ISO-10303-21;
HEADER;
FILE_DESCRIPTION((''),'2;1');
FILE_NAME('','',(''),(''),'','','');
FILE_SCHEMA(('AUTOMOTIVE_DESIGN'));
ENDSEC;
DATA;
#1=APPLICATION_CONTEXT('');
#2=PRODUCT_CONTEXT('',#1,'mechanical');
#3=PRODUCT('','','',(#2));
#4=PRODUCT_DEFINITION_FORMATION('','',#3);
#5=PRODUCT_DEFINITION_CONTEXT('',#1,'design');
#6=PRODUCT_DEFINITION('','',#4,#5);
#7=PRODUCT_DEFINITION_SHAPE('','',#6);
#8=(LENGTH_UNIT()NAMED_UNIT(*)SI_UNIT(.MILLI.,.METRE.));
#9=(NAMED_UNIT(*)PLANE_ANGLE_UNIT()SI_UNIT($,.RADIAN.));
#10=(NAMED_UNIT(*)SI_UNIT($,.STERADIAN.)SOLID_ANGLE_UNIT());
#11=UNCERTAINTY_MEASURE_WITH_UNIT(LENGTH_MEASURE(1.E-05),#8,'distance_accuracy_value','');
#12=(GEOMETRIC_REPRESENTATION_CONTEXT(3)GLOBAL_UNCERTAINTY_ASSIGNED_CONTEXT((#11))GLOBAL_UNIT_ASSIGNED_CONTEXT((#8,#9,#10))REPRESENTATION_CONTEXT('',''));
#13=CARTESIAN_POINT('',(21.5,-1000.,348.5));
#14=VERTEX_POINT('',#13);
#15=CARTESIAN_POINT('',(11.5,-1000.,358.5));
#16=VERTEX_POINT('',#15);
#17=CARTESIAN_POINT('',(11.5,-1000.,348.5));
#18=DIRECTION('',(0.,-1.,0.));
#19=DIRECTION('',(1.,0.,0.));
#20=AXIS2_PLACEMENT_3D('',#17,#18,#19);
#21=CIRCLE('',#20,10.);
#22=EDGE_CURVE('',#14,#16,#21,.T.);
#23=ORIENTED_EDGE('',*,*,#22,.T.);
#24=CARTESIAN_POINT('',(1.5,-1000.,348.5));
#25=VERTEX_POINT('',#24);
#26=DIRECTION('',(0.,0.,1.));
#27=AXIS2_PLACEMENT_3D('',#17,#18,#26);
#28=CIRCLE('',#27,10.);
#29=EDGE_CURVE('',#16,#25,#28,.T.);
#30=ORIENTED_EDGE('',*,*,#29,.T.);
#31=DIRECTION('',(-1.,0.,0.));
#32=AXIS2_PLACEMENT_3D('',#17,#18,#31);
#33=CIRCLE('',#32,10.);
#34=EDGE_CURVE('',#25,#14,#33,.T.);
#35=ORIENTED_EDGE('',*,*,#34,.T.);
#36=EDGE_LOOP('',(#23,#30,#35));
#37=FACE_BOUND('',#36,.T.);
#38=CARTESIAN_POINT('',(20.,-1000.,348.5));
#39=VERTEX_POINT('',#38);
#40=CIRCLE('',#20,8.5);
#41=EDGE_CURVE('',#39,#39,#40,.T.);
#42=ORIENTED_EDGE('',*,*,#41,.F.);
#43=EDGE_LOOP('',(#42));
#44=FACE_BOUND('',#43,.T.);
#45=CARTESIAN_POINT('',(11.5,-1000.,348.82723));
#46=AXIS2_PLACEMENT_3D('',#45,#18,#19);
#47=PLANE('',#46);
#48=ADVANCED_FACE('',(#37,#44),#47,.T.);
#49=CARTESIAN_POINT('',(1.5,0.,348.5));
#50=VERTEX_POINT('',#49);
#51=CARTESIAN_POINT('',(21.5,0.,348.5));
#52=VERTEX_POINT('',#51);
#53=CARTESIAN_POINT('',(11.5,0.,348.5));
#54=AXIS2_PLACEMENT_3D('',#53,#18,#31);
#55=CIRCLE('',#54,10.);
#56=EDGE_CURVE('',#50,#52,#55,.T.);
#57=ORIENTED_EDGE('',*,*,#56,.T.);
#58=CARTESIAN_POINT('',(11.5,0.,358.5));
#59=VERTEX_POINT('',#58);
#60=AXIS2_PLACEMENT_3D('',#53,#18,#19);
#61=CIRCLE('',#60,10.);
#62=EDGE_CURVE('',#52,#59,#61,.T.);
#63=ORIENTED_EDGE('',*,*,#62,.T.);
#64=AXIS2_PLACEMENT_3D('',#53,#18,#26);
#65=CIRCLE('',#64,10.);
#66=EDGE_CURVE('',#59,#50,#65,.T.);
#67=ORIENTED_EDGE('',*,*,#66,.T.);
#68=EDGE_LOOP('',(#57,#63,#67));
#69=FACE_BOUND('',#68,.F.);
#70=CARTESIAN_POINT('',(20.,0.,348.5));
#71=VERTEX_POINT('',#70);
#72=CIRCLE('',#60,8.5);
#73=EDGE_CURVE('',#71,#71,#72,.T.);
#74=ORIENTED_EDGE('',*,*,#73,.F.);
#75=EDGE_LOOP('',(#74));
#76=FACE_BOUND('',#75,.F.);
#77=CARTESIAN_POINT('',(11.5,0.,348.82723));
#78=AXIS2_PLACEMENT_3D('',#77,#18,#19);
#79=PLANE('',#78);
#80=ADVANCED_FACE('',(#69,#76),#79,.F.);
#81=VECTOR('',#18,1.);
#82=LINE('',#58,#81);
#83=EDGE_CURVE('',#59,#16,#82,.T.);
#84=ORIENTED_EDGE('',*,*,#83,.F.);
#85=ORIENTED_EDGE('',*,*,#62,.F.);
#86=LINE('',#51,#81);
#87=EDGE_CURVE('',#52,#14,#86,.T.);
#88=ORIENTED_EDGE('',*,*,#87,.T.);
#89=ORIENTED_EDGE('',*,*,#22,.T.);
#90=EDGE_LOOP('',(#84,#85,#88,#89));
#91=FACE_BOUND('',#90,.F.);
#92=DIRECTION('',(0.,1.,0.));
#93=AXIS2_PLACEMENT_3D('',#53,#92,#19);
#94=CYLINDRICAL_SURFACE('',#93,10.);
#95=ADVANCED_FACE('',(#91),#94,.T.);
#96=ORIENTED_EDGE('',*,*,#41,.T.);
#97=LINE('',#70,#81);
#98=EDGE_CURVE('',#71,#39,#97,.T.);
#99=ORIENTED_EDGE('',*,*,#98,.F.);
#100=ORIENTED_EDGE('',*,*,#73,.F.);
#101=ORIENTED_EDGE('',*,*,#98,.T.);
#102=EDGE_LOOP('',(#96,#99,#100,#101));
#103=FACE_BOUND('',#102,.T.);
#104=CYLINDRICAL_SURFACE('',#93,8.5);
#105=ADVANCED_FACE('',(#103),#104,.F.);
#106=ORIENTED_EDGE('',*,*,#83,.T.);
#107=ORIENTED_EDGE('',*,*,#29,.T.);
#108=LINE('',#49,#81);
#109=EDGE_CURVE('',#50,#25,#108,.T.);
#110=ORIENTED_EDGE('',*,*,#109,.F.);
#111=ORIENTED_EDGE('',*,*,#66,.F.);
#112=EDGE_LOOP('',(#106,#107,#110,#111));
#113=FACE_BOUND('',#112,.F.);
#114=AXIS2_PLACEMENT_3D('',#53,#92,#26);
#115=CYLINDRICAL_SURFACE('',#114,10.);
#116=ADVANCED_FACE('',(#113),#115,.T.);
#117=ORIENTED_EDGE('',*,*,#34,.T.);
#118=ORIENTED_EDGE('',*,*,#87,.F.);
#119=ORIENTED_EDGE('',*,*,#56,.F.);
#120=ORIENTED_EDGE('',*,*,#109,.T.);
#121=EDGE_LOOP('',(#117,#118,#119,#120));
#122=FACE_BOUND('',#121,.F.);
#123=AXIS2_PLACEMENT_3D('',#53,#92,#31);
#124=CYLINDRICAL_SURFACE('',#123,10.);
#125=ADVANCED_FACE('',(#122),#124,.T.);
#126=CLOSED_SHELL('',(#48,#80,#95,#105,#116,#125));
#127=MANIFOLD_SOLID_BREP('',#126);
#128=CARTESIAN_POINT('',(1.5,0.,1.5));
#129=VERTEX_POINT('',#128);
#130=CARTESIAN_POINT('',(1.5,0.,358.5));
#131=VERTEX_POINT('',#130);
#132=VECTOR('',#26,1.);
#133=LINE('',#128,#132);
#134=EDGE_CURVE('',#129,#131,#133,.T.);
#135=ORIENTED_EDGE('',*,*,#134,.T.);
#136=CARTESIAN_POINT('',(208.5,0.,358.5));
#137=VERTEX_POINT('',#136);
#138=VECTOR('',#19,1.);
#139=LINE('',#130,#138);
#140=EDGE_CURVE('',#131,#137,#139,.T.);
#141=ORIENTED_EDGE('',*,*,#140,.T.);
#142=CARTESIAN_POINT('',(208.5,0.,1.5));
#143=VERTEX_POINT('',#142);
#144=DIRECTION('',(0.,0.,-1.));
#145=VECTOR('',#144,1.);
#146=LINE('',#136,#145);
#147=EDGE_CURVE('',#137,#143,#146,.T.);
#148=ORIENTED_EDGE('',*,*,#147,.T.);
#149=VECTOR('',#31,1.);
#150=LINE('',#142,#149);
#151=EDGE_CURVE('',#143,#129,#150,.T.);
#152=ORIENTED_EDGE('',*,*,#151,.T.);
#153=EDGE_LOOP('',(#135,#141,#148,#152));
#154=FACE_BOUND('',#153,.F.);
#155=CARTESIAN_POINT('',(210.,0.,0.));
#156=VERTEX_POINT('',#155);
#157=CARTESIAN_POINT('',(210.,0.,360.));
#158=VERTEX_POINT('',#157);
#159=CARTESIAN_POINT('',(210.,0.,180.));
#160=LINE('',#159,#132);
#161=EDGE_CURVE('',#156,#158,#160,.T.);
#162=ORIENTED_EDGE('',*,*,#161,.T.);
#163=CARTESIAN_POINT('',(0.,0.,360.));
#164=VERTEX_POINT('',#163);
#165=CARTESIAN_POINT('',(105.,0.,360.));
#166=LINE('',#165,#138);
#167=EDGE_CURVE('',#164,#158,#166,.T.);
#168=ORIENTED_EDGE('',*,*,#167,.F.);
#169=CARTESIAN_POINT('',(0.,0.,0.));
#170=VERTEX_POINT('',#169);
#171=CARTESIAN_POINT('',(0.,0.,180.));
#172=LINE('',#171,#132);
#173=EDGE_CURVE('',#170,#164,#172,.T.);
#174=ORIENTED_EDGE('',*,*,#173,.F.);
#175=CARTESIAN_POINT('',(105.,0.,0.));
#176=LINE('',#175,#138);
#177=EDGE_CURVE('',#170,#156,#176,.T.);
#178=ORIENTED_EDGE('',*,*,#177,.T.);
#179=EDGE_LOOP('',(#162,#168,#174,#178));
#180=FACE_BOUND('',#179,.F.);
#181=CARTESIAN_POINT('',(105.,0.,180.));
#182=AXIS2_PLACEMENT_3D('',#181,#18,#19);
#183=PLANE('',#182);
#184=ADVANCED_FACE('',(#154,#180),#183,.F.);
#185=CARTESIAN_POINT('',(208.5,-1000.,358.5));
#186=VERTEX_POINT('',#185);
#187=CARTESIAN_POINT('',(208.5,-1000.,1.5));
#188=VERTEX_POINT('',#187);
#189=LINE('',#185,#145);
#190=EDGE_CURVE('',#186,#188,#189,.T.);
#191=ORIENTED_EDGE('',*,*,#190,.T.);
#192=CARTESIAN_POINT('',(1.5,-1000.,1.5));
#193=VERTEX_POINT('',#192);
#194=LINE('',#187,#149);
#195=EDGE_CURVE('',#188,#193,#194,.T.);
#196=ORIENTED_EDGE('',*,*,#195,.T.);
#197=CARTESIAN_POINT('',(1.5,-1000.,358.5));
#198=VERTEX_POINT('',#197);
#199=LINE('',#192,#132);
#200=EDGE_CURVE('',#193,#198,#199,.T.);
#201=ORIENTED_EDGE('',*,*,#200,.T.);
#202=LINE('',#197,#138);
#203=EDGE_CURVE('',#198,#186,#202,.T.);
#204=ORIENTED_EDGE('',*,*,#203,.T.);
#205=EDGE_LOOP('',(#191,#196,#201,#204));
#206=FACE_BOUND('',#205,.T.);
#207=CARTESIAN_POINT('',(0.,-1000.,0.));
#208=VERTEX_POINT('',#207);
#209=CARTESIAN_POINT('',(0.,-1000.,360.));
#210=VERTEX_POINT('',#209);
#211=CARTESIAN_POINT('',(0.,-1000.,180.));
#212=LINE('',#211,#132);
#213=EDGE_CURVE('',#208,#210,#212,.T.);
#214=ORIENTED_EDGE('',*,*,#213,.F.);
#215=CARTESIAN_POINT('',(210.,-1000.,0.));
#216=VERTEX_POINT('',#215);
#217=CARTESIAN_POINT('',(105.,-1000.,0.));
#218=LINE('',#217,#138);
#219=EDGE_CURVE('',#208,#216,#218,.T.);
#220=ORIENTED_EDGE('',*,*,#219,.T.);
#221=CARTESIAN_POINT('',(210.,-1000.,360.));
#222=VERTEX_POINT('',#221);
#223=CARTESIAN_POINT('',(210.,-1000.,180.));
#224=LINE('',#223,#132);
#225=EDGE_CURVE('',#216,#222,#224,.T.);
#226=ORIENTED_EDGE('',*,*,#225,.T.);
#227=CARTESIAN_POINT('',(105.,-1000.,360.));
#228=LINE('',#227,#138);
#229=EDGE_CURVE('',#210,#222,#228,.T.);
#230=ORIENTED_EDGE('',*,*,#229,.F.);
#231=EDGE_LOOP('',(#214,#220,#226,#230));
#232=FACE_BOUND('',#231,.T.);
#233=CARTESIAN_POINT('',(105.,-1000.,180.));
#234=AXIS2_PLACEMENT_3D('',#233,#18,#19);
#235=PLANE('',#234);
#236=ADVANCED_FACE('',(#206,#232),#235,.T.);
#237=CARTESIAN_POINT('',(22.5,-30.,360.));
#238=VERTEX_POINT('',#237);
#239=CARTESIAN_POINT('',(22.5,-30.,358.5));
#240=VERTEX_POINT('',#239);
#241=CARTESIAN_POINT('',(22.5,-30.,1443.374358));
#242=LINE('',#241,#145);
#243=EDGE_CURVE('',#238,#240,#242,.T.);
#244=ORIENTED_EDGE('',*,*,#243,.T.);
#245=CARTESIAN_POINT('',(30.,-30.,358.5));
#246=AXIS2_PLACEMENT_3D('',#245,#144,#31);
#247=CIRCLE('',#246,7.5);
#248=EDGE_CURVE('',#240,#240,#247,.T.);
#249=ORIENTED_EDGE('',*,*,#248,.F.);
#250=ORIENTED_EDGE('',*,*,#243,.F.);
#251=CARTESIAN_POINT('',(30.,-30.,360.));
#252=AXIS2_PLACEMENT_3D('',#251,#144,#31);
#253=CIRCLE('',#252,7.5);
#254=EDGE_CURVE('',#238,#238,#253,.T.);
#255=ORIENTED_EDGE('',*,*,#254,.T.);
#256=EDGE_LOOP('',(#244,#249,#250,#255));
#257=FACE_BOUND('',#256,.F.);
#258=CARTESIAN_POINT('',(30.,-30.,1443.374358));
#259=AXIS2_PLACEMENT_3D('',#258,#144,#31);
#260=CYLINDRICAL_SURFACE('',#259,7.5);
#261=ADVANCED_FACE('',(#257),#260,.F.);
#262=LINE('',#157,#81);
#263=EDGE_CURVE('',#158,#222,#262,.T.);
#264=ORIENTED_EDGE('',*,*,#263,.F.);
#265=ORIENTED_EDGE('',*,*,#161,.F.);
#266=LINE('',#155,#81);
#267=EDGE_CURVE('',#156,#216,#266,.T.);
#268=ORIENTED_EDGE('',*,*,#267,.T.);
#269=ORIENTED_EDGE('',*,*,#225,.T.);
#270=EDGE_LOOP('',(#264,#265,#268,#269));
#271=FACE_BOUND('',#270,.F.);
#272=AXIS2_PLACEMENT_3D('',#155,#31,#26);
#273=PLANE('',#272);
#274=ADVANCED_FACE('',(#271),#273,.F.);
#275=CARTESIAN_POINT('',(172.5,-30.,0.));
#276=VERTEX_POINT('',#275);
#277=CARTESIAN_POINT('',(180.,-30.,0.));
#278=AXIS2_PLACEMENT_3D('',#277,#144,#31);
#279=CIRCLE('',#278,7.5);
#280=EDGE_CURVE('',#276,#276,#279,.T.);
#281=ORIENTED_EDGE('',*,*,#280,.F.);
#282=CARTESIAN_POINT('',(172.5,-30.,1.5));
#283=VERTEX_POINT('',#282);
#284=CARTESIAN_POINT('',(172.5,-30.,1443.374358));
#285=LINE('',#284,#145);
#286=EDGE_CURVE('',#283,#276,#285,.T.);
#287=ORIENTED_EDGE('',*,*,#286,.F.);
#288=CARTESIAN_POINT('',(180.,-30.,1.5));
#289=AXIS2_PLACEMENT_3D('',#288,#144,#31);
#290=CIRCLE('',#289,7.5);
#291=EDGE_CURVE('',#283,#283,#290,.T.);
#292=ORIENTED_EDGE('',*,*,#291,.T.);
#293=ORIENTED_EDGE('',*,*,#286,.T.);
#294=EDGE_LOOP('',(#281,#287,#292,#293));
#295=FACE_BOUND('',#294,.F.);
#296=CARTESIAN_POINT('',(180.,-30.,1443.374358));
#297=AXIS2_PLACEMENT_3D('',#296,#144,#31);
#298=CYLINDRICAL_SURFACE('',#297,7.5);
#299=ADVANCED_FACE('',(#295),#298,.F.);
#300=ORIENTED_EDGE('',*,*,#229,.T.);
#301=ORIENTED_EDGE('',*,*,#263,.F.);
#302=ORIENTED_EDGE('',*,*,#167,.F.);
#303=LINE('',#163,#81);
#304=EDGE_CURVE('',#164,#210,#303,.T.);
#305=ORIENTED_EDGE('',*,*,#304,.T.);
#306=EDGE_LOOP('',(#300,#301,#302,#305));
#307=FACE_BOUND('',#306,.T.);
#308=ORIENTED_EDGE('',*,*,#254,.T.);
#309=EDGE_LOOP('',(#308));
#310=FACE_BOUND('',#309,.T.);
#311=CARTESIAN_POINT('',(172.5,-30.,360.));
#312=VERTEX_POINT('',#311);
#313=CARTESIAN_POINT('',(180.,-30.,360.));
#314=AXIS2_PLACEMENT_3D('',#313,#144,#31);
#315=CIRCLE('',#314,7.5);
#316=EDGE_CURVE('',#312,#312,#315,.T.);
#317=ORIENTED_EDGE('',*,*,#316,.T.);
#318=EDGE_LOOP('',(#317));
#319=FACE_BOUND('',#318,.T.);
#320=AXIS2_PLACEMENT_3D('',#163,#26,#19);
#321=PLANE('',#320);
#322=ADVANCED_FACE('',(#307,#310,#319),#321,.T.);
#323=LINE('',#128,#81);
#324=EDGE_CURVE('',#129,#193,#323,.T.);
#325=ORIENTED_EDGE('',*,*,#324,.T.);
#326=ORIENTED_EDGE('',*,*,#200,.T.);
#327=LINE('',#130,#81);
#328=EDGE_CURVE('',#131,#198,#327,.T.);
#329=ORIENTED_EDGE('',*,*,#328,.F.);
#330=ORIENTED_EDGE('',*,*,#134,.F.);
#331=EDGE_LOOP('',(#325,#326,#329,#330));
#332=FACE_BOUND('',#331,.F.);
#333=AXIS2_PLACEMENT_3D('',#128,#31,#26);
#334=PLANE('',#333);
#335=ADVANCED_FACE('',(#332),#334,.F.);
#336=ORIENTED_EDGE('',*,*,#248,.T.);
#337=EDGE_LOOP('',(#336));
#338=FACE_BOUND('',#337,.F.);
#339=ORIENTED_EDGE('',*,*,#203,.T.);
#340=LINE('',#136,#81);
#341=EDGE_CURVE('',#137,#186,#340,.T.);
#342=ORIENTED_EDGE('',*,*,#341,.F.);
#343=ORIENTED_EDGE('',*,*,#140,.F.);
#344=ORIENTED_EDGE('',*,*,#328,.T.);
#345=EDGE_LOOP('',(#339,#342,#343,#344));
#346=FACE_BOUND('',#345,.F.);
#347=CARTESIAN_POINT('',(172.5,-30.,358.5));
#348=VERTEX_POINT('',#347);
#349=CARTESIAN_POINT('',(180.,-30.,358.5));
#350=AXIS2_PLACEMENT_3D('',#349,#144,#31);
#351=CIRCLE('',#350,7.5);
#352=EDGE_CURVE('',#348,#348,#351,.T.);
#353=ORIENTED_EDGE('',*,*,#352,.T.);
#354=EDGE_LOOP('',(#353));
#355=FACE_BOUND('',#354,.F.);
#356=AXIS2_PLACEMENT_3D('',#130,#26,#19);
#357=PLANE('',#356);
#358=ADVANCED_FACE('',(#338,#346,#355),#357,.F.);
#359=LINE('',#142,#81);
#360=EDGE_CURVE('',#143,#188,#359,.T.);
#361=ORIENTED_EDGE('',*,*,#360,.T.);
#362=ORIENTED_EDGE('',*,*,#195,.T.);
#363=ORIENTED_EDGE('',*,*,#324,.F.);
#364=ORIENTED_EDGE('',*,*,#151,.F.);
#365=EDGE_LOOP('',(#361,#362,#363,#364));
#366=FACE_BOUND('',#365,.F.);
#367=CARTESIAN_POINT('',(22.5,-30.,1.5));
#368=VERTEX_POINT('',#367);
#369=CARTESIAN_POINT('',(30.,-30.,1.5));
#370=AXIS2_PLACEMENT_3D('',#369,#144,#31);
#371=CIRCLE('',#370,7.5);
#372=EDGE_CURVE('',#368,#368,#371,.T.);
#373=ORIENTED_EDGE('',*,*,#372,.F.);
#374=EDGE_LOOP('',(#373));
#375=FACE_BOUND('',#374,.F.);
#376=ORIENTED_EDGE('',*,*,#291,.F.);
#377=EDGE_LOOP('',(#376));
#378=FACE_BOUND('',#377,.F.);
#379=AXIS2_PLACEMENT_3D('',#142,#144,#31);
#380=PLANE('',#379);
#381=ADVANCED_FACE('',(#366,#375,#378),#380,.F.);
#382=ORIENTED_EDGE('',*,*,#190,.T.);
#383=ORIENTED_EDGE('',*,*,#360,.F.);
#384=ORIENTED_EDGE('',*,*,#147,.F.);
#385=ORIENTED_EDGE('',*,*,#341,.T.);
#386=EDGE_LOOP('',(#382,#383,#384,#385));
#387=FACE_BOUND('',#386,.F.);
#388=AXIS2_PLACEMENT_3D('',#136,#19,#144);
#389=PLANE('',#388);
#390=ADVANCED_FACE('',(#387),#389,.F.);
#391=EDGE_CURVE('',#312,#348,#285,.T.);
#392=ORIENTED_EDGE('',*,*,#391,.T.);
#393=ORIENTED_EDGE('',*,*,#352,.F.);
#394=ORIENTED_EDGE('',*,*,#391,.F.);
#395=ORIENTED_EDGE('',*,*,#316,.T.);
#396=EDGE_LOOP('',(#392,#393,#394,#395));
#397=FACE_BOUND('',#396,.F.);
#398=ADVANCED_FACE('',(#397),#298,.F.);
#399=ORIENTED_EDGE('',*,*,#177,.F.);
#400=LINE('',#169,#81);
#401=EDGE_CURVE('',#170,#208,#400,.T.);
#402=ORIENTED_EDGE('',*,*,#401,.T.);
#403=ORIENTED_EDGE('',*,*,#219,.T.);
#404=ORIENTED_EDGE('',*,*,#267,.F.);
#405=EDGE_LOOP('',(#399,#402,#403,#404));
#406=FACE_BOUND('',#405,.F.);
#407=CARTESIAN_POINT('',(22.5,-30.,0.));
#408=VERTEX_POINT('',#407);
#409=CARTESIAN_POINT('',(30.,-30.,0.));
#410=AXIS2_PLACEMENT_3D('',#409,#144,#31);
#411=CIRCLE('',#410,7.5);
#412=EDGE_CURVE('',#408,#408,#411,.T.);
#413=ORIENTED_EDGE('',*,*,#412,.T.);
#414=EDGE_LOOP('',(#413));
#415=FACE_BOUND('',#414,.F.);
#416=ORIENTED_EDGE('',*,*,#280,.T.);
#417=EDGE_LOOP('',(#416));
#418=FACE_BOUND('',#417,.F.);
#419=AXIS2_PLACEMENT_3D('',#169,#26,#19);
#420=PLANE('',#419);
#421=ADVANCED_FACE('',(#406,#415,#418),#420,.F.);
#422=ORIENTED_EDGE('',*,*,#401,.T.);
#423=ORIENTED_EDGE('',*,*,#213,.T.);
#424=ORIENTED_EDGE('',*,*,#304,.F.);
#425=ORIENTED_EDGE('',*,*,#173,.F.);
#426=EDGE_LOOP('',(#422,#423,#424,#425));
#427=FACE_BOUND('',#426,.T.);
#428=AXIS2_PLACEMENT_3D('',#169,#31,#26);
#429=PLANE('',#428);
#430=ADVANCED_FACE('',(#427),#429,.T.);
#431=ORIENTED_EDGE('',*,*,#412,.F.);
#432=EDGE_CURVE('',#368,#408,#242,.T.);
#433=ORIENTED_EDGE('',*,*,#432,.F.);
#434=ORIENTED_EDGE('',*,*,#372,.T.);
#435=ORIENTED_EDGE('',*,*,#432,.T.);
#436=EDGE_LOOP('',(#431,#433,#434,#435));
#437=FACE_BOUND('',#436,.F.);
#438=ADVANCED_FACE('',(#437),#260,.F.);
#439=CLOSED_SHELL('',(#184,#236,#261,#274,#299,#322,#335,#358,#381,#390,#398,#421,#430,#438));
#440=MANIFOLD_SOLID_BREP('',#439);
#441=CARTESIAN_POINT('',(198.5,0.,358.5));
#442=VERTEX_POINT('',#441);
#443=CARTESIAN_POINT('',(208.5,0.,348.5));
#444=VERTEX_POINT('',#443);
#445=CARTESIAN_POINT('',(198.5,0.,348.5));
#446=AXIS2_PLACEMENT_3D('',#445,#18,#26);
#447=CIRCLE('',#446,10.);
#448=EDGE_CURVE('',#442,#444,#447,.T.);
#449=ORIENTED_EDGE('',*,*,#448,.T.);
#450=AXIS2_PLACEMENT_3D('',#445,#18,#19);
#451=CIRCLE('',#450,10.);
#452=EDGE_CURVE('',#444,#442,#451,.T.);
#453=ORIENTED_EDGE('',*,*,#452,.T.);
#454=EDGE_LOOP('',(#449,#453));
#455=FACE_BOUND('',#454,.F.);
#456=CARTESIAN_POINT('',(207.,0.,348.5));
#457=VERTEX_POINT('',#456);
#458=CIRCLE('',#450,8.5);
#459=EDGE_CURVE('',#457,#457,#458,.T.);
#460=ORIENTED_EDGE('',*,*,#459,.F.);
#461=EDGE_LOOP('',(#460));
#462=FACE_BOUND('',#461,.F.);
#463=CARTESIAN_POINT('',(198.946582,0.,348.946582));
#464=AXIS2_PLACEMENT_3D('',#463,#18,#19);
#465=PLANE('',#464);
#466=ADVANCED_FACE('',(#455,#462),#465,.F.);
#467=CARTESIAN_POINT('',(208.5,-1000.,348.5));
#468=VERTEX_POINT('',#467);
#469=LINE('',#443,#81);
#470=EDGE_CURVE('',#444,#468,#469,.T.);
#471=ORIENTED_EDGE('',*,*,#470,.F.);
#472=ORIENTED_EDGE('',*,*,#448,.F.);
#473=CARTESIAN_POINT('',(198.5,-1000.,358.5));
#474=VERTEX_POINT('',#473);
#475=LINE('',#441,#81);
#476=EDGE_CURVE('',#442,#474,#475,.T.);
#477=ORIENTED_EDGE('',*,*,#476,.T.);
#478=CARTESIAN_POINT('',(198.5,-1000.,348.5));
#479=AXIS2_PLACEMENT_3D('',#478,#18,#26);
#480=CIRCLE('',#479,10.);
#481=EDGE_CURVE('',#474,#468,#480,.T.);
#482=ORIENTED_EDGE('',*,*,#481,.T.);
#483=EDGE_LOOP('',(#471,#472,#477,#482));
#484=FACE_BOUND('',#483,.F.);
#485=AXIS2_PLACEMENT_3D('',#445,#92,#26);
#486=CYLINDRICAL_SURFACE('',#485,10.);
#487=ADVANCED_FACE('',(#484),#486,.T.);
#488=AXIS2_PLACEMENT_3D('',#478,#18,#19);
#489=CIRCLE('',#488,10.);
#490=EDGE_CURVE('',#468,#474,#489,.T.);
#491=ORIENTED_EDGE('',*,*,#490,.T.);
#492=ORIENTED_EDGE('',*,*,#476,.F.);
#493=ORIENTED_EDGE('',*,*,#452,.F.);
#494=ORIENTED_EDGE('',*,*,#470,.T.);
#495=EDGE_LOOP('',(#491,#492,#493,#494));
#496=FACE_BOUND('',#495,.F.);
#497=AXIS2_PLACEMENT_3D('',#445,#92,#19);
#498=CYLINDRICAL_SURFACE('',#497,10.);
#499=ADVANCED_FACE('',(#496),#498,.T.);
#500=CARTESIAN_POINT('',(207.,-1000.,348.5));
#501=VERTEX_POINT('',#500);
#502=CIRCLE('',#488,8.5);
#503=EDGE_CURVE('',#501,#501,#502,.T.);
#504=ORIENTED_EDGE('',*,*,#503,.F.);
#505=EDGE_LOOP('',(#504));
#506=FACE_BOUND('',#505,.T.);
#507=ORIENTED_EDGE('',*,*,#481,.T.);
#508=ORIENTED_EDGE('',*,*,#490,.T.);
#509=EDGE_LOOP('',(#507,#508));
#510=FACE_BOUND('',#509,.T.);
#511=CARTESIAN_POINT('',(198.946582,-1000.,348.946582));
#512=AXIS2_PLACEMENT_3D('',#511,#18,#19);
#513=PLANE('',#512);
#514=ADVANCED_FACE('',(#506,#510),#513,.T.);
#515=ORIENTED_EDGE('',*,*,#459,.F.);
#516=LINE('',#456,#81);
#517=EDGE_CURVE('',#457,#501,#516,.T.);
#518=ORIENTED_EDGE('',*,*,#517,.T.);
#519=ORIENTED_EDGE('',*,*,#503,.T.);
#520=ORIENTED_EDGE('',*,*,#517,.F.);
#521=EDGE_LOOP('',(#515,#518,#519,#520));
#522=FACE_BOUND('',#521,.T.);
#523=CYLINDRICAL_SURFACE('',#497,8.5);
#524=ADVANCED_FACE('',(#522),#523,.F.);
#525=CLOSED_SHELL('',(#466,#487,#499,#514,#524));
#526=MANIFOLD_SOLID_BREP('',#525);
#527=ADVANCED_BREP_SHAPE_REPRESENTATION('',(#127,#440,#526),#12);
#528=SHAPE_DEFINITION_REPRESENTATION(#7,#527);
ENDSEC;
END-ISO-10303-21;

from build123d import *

# Parameters (mm, degrees)
F0_W     = 210
F0_H     = 360
F1_DEPTH = 1000
F0_R     = 8.5
F3_D     = 15


with BuildPart() as f1:
    # F0 (on Front) → F1 (new body)
    with BuildSketch(Plane.XZ):
        with Locations((105, 180)):
            Rectangle(F0_W, F0_H)
        Polygon((1.5, 348.5), (1.5, 358.5), (11.5, 358.5), (198.5, 358.5), (208.5, 358.5), (208.5, 348.5), (208.5, 1.5), (1.5, 1.5), align=None, mode=Mode.SUBTRACT)
    extrude(amount=F1_DEPTH)

    # F3 (through all)
    with Locations(Plane.XY.offset(360)):
        with Locations((180, -30), (30, -30)):
            Hole(F3_D / 2)


with BuildPart() as f1b:
    # F0 (on Front) → F1, piece 2 (new body)
    with BuildSketch(Plane.XZ):
        with BuildLine():
            ThreePointArc((208.5, 348.5), (205.5710678119, 355.5710678119), (198.5, 358.5))
            ThreePointArc((198.5, 358.5), (191.4289321881, 341.4289321881), (208.5, 348.5))
        make_face()
        with Locations((198.5, 348.5)):
            Circle(F0_R, mode=Mode.SUBTRACT)
    extrude(amount=F1_DEPTH)


with BuildPart() as f1c:
    # F0 (on Front) → F1, piece 3 (new body)
    with BuildSketch(Plane.XZ):
        with BuildLine():
            ThreePointArc((21.5, 348.5), (18.5710678119, 355.5710678119), (11.5, 358.5))
            ThreePointArc((11.5, 358.5), (4.4289321881, 355.5710678119), (1.5, 348.5))
            ThreePointArc((1.5, 348.5), (11.5, 338.5), (21.5, 348.5))
        make_face()
        with Locations((11.5, 348.5)):
            Circle(F0_R, mode=Mode.SUBTRACT)
    extrude(amount=F1_DEPTH)


solid = Compound([f1.part, f1b.part, f1c.part])
